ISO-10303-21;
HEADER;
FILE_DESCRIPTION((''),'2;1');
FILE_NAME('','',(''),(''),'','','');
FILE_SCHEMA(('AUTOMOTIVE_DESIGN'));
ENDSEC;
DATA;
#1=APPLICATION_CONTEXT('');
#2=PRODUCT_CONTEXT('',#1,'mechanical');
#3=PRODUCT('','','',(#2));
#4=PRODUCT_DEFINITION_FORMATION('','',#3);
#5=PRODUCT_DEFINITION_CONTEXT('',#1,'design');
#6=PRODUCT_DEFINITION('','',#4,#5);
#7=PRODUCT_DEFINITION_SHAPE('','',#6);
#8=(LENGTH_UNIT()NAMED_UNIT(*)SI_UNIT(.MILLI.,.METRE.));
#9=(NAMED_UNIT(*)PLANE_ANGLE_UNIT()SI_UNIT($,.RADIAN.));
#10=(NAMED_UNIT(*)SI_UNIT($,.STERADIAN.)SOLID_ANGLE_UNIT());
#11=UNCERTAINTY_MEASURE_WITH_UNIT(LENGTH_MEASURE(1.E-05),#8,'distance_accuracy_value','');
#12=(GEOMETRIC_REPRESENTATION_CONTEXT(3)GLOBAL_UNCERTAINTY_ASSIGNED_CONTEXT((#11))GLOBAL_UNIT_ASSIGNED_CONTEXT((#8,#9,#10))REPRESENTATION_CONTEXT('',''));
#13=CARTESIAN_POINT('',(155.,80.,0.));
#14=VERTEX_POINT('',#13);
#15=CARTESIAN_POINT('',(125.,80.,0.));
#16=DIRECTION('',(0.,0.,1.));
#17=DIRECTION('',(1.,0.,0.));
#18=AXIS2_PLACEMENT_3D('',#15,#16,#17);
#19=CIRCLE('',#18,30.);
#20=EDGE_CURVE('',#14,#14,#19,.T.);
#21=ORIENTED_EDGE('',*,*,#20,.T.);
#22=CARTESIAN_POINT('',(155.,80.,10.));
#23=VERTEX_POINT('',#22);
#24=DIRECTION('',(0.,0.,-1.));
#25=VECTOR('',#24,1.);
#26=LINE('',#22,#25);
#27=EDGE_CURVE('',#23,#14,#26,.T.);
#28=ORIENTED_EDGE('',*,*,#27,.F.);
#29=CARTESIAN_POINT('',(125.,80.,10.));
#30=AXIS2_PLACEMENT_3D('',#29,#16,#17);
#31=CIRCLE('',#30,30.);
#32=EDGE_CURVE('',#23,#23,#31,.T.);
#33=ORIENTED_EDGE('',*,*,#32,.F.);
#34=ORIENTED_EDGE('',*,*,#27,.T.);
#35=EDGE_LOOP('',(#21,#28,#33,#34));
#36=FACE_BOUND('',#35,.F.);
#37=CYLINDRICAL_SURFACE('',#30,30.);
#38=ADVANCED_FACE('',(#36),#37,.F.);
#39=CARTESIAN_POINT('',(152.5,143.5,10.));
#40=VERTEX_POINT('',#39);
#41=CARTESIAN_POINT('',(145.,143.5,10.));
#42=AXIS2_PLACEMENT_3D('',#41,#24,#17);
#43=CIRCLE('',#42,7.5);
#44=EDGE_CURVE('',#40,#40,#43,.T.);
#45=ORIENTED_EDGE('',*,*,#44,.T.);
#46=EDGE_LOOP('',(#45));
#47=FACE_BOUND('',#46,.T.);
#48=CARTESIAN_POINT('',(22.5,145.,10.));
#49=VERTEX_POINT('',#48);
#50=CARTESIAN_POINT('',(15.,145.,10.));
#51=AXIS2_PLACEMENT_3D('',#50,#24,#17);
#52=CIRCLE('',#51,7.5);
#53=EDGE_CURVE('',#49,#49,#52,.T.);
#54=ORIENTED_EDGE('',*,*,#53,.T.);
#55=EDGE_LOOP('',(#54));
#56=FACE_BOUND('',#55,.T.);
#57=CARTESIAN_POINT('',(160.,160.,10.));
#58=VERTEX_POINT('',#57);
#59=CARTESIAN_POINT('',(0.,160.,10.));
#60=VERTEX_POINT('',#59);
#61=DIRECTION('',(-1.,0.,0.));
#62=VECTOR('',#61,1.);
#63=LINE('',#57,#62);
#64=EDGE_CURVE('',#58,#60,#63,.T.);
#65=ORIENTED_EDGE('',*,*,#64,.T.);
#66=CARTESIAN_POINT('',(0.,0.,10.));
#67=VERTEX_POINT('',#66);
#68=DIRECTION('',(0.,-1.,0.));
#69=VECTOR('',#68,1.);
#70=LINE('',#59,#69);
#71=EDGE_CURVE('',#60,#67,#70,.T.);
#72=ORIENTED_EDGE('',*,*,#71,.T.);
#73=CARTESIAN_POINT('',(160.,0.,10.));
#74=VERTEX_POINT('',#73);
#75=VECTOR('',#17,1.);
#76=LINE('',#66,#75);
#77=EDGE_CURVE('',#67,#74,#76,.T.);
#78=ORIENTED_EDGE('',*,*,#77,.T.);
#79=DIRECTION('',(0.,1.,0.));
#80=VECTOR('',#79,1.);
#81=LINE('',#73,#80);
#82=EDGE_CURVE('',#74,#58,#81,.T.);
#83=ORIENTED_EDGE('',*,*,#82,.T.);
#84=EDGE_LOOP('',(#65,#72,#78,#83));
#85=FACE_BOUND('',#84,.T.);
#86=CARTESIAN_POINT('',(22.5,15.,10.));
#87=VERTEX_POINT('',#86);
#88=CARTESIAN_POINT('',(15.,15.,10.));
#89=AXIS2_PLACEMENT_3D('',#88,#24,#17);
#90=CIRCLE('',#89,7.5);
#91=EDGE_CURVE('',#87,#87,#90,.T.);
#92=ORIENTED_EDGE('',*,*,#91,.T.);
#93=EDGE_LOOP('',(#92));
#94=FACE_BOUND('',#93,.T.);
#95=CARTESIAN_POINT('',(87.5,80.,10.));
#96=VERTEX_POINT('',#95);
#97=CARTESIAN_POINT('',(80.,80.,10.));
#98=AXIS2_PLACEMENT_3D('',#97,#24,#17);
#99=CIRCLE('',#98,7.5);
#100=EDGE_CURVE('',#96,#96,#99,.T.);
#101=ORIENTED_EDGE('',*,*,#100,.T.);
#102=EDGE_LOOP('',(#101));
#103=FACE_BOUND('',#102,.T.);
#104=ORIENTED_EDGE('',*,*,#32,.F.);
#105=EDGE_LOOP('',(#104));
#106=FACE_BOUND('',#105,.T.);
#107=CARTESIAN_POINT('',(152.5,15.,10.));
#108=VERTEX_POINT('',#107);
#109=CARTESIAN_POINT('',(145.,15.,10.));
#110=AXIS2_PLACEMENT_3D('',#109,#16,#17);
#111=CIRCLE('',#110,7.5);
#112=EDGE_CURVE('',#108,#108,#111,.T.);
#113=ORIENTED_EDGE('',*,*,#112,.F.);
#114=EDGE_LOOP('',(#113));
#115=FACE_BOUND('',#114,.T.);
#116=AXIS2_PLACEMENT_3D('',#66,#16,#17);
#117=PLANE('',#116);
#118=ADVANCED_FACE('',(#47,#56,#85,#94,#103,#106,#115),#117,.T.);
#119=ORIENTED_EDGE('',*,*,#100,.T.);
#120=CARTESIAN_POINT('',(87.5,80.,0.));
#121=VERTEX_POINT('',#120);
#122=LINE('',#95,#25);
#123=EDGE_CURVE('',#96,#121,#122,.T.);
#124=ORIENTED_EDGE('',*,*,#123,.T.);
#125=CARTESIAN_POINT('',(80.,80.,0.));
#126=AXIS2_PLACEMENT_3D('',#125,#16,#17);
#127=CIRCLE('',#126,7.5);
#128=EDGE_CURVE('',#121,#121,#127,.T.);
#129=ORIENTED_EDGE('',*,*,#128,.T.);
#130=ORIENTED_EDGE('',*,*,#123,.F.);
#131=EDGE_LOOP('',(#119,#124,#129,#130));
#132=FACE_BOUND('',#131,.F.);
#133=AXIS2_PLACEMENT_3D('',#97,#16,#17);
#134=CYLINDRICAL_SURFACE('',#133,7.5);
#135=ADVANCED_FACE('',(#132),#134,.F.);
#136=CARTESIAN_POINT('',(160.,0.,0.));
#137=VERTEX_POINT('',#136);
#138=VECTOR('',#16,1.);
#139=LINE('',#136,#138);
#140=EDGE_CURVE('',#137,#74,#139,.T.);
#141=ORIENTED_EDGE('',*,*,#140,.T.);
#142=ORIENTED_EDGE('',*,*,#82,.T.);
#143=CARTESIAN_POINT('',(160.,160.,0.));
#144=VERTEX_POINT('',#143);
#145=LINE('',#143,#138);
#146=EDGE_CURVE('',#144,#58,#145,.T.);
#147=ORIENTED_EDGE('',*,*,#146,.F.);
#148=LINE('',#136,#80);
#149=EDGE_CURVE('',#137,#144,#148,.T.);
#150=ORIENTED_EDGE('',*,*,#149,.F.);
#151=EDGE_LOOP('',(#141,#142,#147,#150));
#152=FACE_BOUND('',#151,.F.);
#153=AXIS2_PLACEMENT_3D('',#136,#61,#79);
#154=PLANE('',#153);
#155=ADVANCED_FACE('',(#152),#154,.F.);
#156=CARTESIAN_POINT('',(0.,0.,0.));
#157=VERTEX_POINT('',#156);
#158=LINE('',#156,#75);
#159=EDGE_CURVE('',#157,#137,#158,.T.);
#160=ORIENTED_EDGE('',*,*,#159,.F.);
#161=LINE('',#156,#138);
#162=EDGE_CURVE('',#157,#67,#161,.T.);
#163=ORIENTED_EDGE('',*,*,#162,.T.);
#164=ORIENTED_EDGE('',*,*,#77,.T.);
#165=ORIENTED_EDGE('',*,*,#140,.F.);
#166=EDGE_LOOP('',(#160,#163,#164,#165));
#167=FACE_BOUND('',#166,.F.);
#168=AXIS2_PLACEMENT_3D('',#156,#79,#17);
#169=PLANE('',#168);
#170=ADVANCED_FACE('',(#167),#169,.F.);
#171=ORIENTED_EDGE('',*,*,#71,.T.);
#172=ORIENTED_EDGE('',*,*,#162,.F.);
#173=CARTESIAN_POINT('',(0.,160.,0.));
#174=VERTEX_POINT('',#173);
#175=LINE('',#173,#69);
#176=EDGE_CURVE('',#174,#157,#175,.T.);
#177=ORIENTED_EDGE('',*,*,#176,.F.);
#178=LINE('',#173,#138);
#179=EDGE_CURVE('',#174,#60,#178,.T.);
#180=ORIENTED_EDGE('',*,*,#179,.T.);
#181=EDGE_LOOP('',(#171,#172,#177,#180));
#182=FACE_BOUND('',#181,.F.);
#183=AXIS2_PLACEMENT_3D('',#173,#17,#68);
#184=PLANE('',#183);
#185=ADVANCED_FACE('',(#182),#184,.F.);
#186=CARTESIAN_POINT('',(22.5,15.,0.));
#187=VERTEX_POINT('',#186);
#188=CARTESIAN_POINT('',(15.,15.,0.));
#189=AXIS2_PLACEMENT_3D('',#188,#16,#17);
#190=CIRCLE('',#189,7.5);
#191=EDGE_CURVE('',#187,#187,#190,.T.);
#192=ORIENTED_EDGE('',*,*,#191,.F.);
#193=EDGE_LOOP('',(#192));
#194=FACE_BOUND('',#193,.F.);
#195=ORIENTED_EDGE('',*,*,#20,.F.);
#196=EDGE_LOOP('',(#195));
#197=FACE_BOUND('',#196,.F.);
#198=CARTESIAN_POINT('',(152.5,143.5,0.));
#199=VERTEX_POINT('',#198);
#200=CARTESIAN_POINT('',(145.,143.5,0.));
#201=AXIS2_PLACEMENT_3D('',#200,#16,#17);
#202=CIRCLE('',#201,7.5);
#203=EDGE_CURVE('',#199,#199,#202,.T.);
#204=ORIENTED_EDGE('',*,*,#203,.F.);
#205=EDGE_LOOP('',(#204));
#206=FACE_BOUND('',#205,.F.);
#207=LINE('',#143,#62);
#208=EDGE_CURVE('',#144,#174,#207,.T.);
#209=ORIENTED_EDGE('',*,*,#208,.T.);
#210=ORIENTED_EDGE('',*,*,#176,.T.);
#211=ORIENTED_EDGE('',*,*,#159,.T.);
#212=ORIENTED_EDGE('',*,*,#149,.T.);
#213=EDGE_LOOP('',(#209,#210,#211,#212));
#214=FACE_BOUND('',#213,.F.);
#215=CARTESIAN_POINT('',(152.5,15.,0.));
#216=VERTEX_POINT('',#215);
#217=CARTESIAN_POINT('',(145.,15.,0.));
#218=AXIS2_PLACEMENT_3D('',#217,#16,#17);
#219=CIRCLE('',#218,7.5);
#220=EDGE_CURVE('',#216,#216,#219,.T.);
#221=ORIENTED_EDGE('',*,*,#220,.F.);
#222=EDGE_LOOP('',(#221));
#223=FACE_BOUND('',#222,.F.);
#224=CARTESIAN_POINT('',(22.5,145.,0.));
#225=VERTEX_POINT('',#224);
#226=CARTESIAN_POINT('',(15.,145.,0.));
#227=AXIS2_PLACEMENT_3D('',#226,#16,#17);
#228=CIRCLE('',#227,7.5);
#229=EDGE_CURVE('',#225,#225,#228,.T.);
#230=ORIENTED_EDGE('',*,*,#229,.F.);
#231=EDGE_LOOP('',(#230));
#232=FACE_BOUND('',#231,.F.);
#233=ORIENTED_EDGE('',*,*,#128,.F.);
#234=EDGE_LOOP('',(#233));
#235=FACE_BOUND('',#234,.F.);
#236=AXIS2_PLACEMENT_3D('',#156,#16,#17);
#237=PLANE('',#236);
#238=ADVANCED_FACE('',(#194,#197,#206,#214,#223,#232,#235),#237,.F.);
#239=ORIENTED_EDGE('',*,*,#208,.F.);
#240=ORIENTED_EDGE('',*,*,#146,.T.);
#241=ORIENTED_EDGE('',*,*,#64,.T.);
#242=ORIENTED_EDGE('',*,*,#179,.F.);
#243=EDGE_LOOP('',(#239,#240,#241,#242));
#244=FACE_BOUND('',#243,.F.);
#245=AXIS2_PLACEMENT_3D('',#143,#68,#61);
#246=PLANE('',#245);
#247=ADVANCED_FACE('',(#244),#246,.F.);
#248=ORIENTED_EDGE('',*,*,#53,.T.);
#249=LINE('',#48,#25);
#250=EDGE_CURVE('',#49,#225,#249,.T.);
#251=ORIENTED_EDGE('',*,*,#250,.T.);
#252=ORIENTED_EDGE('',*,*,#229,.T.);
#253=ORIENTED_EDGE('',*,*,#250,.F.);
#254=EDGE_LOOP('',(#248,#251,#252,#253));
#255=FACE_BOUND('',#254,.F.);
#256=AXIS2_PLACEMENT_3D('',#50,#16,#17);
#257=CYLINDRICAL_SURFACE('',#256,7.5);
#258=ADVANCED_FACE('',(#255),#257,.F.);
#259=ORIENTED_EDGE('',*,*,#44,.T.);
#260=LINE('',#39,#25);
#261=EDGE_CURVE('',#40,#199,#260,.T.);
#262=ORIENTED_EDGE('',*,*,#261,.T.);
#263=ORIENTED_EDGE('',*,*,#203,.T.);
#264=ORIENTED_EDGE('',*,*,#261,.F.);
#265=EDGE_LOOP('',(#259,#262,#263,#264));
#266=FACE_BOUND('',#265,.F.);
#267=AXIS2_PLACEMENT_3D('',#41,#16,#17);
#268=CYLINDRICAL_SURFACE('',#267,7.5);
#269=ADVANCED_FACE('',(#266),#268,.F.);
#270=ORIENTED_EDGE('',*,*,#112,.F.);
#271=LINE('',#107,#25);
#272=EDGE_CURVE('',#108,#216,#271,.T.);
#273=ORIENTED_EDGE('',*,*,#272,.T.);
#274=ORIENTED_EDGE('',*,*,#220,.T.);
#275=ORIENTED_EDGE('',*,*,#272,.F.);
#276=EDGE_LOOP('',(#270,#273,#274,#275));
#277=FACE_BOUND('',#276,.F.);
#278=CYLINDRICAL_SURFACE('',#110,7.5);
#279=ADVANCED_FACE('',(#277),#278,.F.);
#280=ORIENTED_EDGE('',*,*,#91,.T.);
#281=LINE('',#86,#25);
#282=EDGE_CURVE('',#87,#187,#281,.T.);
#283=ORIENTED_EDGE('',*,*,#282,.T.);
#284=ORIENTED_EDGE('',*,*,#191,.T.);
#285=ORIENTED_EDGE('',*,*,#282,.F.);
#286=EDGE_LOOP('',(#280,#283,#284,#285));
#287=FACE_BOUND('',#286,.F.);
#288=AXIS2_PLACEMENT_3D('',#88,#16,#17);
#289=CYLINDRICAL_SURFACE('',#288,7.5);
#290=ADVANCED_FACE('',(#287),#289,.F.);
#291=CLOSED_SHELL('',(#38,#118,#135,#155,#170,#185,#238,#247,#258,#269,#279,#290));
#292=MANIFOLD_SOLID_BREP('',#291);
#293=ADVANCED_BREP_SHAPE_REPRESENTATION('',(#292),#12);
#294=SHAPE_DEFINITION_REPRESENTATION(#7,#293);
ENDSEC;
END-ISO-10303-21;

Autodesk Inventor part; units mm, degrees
ref_plane "YZ Plane" through (0, 0, 0) normal (1, 0, 0) x (0, 1, 0)
ref_plane "XZ Plane" through (0, 0, 0) normal (0, 1, 0) x (-1, 0, 0)
ref_plane "XY Plane" through (0, 0, 0) normal (0, 0, 1) x (1, 0, 0)
sketch "Sketch1" plane through (0, 0, 0) normal (0, 0, 1) x (1, 0, 0)
  line L0 (0, 0) -> (160, 0)
  line L1 (160, 0) -> (160, 160)
  line L2 (160, 160) -> (0, 160)
  line L3 (0, 160) -> (0, 0)
  dimension "d0" = 160
  dimension "d1" = 160
extrude "Extrusion1" add sketch "Sketch1" along normal blind 10
sketch "Sketch2" plane through (0, 0, 10) normal (0, 0, 1) x (1, 0, 0)
  line L0 (0, 0) -> (160, 0) projected
  line L1 (0, 0) -> (15, 0)
  line L2 (15, 0) -> (15, 15)
  line L3 (160, 160) -> (0, 160) projected
  line L4 (0, 160) -> (15, 160)
  line L5 (15, 160) -> (15, 145)
  line L6 (160, 0) -> (160, 160) projected
  line L7 (160, 160) -> (145, 160)
  line L8 (145, 160) -> (145, 143.5)
  line L9 (160, 0) -> (160, 15)
  line L10 (160, 15) -> (145, 15)
  circle A0 centre (15, 145) radius 7.5
  circle A1 centre (145, 143.5) radius 7.5
  circle A2 centre (145, 15) radius 7.5
  circle A3 centre (15, 15) radius 7.5
  dimension "d4" = 15
  dimension "d5" = 15
  dimension "d6" = 15
  dimension "d7" = 15
  dimension "d8" = 15
  dimension "d9" = 16.5
  dimension "d10" = 15
  dimension "d11" = 15
  dimension "d12" = 15
  dimension "d13" = 15
  dimension "d14" = 15
  dimension "d15" = 15
extrude "Extrusion2" cut sketch "Sketch2" against normal blind 10
sketch "Sketch3" plane through (0, 0, 10) normal (0, 0, 1) x (1, 0, 0)
  line L0 (0, 160) -> (0, 0) projected
  line L1 (0, 0) -> (80, 0)
  line L2 (0, 0) -> (160, 0) projected
  line L3 (80, 0) -> (0, 0)
  line L4 (0, 0) -> (80, 0)
  dimension "d18" = 80
  dimension "d19" = 80
  dimension "d20" = 80
sketch "Sketch4" plane through (0, 0, 10) normal (0, 0, 1) x (1, 0, 0)
  line L0 (0, 0) -> (0, 80)
  line L1 (0, 160) -> (0, 0) projected
  line L2 (0, 80) -> (80, 80)
  circle A0 centre (80, 80) radius 7.5
  dimension "d21" = 80
  dimension "d22" = 80
  dimension "d23" = 15
extrude "Extrusion3" cut sketch "Sketch4" against normal blind 10
sketch "Sketch5" plane through (0, 0, 10) normal (0, 0, 1) x (1, 0, 0)
  line L0 (160, 0) -> (160, 160) projected
  line L1 (160, 0) -> (160, 80)
  line L2 (160, 80) -> (125, 80)
  circle A0 centre (125, 80) radius 30
  point P0 (0, 0)
  dimension "d26" = 80
  dimension "d27" = 35
  dimension "d28" = 60
extrude "Extrusion4" cut sketch "Sketch5" against normal blind 10
properties part number "100"
